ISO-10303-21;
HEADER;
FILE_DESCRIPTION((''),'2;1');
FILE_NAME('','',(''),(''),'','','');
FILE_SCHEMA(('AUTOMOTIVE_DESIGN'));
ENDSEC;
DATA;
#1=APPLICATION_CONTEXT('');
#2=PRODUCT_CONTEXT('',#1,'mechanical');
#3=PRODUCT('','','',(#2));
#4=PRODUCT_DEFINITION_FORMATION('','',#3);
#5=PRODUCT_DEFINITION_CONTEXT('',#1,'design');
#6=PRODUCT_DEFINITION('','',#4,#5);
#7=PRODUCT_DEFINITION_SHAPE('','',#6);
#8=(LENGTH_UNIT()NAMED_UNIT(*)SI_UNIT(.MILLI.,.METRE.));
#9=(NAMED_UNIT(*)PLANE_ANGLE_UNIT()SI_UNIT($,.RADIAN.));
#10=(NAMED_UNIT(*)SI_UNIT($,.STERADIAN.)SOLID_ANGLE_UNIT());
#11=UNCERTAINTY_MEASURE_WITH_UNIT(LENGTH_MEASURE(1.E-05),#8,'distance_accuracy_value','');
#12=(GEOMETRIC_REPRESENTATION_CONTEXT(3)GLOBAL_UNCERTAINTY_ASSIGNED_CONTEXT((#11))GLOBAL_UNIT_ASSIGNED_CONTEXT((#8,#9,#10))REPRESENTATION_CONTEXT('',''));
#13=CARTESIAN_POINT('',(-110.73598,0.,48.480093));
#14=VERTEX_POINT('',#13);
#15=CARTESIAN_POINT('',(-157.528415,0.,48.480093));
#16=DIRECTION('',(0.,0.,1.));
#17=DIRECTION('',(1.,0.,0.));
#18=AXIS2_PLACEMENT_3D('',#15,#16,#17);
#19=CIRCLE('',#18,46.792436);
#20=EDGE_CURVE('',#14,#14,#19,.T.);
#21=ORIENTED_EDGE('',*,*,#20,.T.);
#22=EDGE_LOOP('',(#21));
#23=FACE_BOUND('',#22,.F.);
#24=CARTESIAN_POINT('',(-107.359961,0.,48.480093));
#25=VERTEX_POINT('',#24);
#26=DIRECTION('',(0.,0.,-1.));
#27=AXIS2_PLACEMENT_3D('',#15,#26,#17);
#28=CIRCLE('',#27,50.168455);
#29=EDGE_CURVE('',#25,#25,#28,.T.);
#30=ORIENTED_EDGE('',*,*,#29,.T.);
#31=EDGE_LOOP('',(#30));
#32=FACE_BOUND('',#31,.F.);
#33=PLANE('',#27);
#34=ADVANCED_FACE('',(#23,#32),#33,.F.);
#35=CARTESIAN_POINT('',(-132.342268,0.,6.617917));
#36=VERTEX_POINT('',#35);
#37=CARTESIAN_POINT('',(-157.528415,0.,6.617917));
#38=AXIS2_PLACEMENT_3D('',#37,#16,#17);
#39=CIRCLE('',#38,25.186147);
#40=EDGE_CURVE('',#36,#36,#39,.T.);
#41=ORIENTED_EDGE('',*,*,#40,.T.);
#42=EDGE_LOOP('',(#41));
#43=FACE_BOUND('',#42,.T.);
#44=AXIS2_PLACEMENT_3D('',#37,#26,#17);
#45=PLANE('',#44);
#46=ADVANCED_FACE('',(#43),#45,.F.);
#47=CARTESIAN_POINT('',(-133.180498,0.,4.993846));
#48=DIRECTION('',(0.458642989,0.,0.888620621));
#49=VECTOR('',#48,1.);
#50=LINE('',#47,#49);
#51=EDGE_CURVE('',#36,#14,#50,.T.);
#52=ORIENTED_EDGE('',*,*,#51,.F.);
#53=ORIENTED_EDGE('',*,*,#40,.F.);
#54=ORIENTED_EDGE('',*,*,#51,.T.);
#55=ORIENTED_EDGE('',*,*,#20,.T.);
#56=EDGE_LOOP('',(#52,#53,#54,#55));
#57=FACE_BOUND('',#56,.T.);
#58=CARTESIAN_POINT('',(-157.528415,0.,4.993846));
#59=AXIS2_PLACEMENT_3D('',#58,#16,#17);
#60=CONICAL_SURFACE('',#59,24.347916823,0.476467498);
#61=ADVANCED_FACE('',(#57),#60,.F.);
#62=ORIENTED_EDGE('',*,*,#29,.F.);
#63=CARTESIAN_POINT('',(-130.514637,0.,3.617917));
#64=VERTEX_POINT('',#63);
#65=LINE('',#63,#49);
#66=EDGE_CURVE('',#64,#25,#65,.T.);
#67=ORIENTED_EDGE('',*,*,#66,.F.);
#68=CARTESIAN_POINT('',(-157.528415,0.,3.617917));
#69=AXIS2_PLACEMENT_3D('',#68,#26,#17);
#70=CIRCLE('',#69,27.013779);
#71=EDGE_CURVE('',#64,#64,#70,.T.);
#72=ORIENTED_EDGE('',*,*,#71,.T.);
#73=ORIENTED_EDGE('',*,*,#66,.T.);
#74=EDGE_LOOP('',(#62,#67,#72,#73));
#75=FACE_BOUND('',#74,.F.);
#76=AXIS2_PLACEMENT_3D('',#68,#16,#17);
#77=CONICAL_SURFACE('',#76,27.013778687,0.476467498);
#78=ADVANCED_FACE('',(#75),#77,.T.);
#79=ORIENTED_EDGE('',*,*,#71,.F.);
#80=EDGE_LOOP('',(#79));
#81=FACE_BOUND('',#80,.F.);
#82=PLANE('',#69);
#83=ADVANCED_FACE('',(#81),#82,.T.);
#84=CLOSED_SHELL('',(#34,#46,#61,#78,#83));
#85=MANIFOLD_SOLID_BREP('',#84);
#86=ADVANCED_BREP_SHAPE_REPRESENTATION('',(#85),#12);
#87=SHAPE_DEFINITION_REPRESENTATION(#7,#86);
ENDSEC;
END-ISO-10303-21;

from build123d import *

# Parameters (mm, degrees)
F2_T = -3


with BuildPart() as f1:
    # F0 (on Front) → F1 (revolve)
    with BuildSketch(Plane.XZ):
        Polygon((-107.3599606752, 48.4800934792), (-157.5284153223, 48.4800934792), (-157.5284153223, 44.1385954618), (-157.5284153223, 3.6179174203), (-130.5146366358, 3.6179174203), align=None)
    revolve(axis=Axis((-157.5284153223, 0, 23.8782564411), (0, 0, -1)))

    # F2
    f2_openings = [f1.faces().sort_by_distance(p)[0] for p in [
        (-157.528415, 0, 48.480093),
    ]]
    offset(amount=F2_T, openings=f2_openings)


solid = f1.part
